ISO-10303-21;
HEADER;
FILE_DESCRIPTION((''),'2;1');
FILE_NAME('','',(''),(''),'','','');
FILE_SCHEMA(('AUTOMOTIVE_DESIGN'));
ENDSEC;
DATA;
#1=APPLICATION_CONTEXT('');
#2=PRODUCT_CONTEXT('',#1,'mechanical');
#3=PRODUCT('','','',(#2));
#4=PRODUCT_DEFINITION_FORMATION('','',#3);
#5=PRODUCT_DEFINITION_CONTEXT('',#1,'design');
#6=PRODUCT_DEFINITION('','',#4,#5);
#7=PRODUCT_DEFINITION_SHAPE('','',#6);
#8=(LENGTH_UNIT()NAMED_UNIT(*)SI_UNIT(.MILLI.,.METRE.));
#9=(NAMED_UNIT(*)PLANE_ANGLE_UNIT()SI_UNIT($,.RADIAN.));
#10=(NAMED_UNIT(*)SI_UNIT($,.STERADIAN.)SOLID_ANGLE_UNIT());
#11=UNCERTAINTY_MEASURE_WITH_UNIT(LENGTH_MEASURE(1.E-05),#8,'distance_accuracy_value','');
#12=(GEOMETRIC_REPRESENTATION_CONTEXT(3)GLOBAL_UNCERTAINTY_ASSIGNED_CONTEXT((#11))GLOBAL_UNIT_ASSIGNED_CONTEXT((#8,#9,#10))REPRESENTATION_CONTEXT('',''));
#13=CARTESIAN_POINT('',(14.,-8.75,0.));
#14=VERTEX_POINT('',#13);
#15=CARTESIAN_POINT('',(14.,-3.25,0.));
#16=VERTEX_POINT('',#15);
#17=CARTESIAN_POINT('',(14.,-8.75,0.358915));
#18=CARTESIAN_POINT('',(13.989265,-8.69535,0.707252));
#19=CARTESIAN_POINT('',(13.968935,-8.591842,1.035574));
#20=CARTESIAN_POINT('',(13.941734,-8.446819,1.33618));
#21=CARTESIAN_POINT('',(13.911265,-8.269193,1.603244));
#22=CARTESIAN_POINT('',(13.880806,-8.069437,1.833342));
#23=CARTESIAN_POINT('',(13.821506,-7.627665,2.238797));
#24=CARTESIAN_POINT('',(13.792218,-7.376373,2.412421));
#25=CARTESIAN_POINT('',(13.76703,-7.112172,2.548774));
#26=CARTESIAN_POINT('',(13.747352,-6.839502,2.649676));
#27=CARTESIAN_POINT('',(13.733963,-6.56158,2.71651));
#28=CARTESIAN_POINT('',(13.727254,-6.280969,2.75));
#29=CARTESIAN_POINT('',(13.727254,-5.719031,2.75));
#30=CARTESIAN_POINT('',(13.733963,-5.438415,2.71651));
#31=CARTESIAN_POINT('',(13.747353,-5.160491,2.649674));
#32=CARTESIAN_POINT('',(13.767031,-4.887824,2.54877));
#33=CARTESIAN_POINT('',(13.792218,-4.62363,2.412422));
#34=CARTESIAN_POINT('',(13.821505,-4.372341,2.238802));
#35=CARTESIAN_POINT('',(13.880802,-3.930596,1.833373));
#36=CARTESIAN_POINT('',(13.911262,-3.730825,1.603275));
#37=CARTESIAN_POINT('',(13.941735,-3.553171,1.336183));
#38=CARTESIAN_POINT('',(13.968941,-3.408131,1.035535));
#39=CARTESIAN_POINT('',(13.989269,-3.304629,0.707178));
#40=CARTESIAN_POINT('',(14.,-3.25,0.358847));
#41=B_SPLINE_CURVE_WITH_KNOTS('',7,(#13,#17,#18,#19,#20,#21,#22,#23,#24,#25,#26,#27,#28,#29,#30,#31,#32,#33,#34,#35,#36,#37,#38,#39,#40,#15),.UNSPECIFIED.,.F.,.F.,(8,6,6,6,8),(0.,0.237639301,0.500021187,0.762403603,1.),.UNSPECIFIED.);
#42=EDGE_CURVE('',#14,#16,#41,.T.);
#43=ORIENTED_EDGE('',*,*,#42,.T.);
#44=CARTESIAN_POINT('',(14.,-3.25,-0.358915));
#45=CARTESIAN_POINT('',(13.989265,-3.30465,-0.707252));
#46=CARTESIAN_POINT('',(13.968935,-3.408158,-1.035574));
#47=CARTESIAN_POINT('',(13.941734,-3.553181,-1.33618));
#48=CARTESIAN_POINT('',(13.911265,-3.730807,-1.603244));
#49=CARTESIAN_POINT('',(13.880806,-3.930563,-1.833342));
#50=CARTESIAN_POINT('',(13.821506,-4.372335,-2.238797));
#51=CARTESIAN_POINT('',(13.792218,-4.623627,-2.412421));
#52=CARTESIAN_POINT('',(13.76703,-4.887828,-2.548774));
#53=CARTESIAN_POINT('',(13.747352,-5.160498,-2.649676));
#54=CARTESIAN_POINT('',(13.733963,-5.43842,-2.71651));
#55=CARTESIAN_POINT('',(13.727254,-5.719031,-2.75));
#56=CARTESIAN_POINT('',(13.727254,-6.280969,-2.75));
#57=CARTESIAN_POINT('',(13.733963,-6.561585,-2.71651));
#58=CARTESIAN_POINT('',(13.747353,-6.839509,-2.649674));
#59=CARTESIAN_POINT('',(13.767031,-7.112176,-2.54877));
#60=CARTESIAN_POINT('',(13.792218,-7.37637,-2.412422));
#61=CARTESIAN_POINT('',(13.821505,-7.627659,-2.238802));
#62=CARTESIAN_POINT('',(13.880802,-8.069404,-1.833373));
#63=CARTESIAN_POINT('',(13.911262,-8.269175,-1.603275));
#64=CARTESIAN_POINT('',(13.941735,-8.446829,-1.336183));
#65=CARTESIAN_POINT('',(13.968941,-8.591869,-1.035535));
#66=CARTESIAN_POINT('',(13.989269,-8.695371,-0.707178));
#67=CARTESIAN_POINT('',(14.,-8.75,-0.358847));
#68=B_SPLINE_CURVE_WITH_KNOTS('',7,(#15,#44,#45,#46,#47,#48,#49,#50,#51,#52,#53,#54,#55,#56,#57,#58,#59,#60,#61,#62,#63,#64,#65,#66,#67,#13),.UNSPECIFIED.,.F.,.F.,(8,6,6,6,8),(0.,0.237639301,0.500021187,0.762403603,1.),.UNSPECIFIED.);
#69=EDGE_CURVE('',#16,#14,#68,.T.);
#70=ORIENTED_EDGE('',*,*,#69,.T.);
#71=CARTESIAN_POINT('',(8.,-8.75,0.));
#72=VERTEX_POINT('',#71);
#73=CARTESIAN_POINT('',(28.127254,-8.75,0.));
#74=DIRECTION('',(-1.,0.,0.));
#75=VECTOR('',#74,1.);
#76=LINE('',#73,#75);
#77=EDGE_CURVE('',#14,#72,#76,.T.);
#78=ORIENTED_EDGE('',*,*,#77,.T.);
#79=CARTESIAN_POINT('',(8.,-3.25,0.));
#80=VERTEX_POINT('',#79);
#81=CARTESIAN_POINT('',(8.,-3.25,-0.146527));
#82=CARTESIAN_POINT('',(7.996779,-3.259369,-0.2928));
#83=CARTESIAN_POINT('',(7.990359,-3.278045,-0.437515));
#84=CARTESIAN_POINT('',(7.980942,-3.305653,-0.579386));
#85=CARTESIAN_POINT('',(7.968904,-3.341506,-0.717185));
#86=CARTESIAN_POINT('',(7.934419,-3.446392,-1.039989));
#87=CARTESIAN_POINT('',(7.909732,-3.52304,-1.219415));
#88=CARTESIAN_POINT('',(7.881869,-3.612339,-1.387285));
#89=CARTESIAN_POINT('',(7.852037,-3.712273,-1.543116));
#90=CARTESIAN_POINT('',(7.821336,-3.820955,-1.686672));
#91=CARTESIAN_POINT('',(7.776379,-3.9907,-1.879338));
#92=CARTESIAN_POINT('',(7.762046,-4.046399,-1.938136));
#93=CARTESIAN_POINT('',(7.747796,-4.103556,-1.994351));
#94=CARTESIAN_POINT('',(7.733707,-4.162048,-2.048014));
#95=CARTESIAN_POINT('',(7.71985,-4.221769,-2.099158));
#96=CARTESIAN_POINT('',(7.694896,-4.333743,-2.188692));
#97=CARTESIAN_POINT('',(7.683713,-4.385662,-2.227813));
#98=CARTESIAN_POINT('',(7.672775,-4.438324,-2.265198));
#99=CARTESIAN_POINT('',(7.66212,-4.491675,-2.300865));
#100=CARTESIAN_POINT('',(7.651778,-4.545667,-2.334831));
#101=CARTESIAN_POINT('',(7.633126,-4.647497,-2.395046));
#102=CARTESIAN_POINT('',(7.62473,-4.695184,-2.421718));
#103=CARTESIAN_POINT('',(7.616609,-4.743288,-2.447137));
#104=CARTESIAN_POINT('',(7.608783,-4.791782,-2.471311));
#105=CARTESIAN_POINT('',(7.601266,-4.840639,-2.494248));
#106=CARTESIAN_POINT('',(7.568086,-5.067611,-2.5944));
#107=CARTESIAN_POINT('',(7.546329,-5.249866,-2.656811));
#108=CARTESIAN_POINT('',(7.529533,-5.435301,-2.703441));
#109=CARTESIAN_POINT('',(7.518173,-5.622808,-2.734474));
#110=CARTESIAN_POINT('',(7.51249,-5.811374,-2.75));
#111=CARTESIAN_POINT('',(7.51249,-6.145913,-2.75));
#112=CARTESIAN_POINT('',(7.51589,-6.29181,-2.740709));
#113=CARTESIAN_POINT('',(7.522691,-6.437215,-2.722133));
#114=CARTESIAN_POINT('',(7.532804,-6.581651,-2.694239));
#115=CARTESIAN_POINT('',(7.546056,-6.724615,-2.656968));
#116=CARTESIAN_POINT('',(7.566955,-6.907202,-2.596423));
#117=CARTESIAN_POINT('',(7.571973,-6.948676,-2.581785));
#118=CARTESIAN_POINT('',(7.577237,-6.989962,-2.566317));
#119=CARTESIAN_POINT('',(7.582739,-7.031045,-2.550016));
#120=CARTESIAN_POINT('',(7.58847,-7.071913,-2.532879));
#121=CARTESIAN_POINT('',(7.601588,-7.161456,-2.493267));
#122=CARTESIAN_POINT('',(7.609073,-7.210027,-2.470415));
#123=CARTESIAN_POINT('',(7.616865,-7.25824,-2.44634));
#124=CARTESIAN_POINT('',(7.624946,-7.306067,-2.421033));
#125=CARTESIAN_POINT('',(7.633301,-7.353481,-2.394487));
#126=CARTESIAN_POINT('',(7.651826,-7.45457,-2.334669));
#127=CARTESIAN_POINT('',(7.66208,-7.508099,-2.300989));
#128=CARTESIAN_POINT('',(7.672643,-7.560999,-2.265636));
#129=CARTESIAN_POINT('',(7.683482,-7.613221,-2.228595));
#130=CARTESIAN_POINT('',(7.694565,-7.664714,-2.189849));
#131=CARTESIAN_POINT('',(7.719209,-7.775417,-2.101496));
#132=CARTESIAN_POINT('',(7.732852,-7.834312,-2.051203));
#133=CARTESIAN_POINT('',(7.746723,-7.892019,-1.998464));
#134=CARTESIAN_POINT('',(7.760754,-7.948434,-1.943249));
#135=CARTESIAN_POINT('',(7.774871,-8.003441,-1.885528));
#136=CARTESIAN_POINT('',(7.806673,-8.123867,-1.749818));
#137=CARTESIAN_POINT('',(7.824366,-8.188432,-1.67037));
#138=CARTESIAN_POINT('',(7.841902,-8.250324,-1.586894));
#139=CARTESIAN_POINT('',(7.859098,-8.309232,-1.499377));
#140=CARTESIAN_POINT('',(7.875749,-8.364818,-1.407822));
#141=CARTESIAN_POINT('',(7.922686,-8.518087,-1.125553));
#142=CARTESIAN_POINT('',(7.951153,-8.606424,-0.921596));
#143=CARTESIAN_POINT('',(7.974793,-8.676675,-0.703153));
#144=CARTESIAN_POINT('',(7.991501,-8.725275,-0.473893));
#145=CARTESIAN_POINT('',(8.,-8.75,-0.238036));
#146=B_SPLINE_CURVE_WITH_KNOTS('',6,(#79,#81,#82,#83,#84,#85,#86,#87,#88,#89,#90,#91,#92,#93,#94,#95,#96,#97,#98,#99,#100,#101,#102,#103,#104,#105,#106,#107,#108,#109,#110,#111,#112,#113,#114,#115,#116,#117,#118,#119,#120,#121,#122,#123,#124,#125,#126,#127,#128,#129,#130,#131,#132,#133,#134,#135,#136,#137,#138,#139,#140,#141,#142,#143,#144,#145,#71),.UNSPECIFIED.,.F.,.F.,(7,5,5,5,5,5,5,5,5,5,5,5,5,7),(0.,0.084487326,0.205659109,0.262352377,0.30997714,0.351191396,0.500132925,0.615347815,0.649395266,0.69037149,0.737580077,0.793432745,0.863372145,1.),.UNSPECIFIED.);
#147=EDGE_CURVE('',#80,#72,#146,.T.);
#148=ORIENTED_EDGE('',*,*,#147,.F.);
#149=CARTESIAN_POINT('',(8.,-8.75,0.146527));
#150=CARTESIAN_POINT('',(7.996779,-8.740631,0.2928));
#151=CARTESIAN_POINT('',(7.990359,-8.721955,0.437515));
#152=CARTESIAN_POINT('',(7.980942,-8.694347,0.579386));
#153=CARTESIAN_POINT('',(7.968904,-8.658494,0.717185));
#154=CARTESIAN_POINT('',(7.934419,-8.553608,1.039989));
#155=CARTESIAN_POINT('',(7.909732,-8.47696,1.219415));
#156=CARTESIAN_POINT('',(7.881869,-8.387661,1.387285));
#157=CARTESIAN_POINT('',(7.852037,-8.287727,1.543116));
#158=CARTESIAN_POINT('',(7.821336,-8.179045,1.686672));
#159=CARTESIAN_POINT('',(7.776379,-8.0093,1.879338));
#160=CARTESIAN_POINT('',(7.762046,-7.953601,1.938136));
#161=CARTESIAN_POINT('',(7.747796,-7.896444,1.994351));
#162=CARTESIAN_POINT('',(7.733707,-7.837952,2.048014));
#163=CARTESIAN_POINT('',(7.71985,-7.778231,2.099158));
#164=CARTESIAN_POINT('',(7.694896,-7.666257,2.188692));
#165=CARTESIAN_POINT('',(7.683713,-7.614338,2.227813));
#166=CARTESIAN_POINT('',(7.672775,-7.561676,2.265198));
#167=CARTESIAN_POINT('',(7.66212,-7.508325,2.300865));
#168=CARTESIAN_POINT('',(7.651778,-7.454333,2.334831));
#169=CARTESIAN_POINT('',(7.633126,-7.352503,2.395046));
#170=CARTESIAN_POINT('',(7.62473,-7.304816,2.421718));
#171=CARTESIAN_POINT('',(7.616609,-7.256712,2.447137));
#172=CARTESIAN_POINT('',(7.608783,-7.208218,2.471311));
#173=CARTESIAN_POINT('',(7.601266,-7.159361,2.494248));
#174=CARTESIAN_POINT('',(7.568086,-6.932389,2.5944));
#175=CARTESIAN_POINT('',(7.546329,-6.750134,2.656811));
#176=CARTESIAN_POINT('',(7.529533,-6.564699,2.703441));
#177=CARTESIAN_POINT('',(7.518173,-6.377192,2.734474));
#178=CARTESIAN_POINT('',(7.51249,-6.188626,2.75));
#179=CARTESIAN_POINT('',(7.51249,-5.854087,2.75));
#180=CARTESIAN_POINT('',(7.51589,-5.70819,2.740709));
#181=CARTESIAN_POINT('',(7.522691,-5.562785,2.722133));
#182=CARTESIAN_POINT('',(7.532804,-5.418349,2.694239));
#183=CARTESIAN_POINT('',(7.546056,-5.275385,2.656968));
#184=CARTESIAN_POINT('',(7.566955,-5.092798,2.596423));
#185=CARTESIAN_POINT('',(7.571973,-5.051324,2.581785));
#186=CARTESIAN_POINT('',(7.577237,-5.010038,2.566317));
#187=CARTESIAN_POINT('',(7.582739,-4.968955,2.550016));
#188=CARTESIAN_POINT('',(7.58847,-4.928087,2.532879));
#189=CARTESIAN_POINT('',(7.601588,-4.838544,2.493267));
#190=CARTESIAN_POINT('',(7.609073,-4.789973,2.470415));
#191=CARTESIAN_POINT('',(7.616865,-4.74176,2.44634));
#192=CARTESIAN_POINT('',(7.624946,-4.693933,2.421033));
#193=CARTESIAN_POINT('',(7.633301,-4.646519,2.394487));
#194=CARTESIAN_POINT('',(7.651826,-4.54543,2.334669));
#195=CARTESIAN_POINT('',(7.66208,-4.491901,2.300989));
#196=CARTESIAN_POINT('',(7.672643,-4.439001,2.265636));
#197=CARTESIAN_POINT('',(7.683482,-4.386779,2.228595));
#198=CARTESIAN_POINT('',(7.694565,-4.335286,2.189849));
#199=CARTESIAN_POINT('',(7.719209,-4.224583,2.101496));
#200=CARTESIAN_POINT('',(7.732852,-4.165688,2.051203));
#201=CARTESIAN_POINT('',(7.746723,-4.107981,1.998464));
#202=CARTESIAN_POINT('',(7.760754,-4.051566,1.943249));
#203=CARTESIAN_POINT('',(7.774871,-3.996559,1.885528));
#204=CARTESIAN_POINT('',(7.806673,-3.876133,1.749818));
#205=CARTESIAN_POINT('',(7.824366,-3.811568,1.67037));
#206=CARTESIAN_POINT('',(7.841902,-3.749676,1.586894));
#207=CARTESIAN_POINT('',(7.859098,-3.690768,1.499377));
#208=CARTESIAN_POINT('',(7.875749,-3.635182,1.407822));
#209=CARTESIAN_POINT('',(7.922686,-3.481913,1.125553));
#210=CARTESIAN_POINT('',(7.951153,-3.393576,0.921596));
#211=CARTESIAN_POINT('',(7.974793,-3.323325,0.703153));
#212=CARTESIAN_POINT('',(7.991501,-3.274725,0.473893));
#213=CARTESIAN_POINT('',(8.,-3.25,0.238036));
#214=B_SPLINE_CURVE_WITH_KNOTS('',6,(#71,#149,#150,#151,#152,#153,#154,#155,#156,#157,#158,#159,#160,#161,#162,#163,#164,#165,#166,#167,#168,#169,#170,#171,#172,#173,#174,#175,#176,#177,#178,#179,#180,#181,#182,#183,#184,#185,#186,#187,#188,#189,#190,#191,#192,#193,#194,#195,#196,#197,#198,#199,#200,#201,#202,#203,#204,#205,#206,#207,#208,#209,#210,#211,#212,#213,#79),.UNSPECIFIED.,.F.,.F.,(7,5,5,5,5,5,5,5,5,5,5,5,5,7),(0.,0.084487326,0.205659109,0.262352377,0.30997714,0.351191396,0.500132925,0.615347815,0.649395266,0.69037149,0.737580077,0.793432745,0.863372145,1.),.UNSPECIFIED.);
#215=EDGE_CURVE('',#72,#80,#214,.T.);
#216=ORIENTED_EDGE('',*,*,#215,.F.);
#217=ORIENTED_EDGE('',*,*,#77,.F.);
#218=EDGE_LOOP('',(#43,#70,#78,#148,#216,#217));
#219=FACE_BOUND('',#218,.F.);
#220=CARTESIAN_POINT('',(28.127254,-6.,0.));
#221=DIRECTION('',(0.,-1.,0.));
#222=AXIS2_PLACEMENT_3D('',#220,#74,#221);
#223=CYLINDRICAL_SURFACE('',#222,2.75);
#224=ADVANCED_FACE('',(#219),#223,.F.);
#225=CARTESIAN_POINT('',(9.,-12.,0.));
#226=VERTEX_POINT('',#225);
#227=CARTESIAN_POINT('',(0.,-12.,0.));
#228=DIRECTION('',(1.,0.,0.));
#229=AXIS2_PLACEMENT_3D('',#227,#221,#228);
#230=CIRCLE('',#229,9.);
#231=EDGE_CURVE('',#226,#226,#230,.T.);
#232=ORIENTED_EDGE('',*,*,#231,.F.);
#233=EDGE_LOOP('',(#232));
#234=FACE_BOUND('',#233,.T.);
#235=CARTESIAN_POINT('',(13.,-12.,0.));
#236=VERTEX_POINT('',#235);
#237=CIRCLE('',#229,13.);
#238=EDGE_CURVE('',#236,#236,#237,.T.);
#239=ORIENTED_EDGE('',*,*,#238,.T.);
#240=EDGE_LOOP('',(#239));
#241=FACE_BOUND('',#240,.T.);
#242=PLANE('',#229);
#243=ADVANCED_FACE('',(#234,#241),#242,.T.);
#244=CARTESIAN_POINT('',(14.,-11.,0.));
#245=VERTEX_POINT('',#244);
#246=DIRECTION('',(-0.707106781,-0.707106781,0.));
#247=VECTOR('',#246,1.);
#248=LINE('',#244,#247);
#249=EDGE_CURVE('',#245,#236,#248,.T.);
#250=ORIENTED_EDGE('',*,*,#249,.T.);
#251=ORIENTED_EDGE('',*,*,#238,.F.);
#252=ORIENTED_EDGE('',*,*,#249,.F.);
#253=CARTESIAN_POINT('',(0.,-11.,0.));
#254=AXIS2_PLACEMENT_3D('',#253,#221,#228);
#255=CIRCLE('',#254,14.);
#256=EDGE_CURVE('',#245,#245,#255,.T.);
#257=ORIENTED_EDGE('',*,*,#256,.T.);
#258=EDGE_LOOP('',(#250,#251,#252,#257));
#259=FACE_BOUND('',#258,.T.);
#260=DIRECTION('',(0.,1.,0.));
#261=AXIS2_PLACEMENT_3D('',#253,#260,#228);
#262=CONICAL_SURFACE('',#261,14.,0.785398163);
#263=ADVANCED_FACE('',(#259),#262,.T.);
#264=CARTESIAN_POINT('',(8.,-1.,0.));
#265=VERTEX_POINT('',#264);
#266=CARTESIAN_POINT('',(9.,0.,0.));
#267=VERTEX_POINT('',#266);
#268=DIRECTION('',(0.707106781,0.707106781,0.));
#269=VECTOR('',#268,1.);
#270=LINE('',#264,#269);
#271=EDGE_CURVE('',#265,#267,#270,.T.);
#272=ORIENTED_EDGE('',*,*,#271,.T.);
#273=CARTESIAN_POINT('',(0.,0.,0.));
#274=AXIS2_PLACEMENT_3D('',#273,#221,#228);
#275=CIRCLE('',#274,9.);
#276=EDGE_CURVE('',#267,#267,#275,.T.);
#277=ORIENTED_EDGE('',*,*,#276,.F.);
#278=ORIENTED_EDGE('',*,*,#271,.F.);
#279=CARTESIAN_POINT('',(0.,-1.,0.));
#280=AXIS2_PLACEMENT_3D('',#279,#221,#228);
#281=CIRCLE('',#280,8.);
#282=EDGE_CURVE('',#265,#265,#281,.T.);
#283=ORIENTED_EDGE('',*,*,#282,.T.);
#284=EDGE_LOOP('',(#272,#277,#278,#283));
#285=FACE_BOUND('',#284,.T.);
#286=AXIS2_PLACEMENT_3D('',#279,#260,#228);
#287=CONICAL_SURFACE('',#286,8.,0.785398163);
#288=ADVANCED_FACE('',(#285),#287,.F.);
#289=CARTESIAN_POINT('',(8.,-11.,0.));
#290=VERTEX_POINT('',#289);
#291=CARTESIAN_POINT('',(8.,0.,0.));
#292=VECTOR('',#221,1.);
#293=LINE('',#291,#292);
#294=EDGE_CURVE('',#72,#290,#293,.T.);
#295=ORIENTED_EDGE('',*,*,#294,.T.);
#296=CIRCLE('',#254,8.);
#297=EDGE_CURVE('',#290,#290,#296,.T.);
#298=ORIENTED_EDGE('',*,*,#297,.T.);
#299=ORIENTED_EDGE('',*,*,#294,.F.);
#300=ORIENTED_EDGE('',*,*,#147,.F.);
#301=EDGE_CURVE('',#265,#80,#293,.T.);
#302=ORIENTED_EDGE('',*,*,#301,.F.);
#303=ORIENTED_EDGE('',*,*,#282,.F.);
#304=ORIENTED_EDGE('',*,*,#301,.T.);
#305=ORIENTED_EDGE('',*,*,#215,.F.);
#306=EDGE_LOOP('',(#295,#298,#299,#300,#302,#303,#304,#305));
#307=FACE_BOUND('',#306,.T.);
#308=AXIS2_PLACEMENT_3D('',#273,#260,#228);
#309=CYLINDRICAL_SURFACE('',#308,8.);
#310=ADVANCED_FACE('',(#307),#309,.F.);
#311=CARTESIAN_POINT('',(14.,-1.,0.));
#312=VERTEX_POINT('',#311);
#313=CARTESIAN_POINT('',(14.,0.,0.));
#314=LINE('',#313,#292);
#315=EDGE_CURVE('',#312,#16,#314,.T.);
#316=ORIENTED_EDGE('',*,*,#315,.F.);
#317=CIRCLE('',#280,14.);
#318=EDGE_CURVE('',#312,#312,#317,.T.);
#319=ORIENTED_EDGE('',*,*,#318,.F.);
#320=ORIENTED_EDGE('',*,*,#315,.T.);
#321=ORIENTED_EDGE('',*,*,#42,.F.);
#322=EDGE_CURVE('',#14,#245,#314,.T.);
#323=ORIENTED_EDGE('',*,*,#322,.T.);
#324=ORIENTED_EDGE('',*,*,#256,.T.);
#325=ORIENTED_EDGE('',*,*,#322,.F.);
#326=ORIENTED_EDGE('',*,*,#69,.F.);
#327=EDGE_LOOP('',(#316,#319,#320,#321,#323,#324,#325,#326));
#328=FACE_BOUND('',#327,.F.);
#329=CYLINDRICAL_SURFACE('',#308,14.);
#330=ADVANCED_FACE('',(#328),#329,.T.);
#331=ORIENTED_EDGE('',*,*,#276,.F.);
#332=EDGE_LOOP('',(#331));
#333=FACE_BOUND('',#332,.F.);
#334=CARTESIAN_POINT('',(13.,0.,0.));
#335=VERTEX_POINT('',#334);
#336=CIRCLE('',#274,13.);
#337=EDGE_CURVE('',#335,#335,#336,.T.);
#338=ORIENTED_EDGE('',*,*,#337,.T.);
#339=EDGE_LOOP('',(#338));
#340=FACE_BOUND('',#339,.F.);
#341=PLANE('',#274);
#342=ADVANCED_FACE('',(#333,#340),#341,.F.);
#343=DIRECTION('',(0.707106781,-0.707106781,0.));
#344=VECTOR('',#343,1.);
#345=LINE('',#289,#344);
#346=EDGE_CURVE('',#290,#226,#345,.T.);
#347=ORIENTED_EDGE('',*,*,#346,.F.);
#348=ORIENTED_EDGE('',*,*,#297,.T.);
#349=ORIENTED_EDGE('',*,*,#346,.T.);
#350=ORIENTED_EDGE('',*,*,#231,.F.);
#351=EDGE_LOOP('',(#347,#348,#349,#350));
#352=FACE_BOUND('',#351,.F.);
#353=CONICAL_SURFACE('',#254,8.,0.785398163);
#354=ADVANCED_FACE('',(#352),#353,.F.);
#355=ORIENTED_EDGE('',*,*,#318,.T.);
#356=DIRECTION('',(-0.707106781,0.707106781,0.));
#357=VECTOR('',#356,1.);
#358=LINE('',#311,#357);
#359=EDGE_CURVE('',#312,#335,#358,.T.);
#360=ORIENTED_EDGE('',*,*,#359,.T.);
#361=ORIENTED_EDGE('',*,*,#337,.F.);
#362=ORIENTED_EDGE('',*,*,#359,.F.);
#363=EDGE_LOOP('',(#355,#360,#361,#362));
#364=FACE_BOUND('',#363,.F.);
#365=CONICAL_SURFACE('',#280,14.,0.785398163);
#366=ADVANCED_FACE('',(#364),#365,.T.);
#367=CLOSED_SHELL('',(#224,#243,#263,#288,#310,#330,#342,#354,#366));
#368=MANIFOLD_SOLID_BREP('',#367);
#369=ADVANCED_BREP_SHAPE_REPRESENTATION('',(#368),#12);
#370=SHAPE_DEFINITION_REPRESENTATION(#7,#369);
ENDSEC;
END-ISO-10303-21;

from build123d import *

# Parameters (mm, degrees)
F1_R     = 14
F1_R_2   = 8
F2_DEPTH = 12
F3_SIZE  = 1
F7_D     = 5.5
F7_DEPTH = 14.4
F7_START = 0.2727462
F7_TIP   = 1.6523667023


with BuildPart() as f2:
    # F1 (on Front) → F2 (new body)
    with BuildSketch(Plane.XZ):
        Circle(F1_R)
        Circle(F1_R_2, mode=Mode.SUBTRACT)
    extrude(amount=F2_DEPTH)

    # F3
    f3_edges = [f2.edges().sort_by_distance(p)[0] for p in [
        (14, -6, 0),
        (-14, 0, 0),
        (-14, -12, 0),
        (8, -6, 0),
        (-8, 0, 0),
        (-8, -12, 0),
    ]]
    chamfer(f3_edges, length=F3_SIZE)

    # F7
    # its depths count from where the whole tool has entered the part; down to there all is cleared
    with Locations(Plane.YZ.offset(14).offset(-F7_START)):
        with Locations((-6, 0)):
            Hole(F7_D / 2, depth=F7_DEPTH)
            with Locations((0, 0, -(F7_DEPTH + F7_TIP / 2))):  # 118° drill point
                Cone(0, F7_D / 2, F7_TIP, mode=Mode.SUBTRACT)


solid = f2.part
